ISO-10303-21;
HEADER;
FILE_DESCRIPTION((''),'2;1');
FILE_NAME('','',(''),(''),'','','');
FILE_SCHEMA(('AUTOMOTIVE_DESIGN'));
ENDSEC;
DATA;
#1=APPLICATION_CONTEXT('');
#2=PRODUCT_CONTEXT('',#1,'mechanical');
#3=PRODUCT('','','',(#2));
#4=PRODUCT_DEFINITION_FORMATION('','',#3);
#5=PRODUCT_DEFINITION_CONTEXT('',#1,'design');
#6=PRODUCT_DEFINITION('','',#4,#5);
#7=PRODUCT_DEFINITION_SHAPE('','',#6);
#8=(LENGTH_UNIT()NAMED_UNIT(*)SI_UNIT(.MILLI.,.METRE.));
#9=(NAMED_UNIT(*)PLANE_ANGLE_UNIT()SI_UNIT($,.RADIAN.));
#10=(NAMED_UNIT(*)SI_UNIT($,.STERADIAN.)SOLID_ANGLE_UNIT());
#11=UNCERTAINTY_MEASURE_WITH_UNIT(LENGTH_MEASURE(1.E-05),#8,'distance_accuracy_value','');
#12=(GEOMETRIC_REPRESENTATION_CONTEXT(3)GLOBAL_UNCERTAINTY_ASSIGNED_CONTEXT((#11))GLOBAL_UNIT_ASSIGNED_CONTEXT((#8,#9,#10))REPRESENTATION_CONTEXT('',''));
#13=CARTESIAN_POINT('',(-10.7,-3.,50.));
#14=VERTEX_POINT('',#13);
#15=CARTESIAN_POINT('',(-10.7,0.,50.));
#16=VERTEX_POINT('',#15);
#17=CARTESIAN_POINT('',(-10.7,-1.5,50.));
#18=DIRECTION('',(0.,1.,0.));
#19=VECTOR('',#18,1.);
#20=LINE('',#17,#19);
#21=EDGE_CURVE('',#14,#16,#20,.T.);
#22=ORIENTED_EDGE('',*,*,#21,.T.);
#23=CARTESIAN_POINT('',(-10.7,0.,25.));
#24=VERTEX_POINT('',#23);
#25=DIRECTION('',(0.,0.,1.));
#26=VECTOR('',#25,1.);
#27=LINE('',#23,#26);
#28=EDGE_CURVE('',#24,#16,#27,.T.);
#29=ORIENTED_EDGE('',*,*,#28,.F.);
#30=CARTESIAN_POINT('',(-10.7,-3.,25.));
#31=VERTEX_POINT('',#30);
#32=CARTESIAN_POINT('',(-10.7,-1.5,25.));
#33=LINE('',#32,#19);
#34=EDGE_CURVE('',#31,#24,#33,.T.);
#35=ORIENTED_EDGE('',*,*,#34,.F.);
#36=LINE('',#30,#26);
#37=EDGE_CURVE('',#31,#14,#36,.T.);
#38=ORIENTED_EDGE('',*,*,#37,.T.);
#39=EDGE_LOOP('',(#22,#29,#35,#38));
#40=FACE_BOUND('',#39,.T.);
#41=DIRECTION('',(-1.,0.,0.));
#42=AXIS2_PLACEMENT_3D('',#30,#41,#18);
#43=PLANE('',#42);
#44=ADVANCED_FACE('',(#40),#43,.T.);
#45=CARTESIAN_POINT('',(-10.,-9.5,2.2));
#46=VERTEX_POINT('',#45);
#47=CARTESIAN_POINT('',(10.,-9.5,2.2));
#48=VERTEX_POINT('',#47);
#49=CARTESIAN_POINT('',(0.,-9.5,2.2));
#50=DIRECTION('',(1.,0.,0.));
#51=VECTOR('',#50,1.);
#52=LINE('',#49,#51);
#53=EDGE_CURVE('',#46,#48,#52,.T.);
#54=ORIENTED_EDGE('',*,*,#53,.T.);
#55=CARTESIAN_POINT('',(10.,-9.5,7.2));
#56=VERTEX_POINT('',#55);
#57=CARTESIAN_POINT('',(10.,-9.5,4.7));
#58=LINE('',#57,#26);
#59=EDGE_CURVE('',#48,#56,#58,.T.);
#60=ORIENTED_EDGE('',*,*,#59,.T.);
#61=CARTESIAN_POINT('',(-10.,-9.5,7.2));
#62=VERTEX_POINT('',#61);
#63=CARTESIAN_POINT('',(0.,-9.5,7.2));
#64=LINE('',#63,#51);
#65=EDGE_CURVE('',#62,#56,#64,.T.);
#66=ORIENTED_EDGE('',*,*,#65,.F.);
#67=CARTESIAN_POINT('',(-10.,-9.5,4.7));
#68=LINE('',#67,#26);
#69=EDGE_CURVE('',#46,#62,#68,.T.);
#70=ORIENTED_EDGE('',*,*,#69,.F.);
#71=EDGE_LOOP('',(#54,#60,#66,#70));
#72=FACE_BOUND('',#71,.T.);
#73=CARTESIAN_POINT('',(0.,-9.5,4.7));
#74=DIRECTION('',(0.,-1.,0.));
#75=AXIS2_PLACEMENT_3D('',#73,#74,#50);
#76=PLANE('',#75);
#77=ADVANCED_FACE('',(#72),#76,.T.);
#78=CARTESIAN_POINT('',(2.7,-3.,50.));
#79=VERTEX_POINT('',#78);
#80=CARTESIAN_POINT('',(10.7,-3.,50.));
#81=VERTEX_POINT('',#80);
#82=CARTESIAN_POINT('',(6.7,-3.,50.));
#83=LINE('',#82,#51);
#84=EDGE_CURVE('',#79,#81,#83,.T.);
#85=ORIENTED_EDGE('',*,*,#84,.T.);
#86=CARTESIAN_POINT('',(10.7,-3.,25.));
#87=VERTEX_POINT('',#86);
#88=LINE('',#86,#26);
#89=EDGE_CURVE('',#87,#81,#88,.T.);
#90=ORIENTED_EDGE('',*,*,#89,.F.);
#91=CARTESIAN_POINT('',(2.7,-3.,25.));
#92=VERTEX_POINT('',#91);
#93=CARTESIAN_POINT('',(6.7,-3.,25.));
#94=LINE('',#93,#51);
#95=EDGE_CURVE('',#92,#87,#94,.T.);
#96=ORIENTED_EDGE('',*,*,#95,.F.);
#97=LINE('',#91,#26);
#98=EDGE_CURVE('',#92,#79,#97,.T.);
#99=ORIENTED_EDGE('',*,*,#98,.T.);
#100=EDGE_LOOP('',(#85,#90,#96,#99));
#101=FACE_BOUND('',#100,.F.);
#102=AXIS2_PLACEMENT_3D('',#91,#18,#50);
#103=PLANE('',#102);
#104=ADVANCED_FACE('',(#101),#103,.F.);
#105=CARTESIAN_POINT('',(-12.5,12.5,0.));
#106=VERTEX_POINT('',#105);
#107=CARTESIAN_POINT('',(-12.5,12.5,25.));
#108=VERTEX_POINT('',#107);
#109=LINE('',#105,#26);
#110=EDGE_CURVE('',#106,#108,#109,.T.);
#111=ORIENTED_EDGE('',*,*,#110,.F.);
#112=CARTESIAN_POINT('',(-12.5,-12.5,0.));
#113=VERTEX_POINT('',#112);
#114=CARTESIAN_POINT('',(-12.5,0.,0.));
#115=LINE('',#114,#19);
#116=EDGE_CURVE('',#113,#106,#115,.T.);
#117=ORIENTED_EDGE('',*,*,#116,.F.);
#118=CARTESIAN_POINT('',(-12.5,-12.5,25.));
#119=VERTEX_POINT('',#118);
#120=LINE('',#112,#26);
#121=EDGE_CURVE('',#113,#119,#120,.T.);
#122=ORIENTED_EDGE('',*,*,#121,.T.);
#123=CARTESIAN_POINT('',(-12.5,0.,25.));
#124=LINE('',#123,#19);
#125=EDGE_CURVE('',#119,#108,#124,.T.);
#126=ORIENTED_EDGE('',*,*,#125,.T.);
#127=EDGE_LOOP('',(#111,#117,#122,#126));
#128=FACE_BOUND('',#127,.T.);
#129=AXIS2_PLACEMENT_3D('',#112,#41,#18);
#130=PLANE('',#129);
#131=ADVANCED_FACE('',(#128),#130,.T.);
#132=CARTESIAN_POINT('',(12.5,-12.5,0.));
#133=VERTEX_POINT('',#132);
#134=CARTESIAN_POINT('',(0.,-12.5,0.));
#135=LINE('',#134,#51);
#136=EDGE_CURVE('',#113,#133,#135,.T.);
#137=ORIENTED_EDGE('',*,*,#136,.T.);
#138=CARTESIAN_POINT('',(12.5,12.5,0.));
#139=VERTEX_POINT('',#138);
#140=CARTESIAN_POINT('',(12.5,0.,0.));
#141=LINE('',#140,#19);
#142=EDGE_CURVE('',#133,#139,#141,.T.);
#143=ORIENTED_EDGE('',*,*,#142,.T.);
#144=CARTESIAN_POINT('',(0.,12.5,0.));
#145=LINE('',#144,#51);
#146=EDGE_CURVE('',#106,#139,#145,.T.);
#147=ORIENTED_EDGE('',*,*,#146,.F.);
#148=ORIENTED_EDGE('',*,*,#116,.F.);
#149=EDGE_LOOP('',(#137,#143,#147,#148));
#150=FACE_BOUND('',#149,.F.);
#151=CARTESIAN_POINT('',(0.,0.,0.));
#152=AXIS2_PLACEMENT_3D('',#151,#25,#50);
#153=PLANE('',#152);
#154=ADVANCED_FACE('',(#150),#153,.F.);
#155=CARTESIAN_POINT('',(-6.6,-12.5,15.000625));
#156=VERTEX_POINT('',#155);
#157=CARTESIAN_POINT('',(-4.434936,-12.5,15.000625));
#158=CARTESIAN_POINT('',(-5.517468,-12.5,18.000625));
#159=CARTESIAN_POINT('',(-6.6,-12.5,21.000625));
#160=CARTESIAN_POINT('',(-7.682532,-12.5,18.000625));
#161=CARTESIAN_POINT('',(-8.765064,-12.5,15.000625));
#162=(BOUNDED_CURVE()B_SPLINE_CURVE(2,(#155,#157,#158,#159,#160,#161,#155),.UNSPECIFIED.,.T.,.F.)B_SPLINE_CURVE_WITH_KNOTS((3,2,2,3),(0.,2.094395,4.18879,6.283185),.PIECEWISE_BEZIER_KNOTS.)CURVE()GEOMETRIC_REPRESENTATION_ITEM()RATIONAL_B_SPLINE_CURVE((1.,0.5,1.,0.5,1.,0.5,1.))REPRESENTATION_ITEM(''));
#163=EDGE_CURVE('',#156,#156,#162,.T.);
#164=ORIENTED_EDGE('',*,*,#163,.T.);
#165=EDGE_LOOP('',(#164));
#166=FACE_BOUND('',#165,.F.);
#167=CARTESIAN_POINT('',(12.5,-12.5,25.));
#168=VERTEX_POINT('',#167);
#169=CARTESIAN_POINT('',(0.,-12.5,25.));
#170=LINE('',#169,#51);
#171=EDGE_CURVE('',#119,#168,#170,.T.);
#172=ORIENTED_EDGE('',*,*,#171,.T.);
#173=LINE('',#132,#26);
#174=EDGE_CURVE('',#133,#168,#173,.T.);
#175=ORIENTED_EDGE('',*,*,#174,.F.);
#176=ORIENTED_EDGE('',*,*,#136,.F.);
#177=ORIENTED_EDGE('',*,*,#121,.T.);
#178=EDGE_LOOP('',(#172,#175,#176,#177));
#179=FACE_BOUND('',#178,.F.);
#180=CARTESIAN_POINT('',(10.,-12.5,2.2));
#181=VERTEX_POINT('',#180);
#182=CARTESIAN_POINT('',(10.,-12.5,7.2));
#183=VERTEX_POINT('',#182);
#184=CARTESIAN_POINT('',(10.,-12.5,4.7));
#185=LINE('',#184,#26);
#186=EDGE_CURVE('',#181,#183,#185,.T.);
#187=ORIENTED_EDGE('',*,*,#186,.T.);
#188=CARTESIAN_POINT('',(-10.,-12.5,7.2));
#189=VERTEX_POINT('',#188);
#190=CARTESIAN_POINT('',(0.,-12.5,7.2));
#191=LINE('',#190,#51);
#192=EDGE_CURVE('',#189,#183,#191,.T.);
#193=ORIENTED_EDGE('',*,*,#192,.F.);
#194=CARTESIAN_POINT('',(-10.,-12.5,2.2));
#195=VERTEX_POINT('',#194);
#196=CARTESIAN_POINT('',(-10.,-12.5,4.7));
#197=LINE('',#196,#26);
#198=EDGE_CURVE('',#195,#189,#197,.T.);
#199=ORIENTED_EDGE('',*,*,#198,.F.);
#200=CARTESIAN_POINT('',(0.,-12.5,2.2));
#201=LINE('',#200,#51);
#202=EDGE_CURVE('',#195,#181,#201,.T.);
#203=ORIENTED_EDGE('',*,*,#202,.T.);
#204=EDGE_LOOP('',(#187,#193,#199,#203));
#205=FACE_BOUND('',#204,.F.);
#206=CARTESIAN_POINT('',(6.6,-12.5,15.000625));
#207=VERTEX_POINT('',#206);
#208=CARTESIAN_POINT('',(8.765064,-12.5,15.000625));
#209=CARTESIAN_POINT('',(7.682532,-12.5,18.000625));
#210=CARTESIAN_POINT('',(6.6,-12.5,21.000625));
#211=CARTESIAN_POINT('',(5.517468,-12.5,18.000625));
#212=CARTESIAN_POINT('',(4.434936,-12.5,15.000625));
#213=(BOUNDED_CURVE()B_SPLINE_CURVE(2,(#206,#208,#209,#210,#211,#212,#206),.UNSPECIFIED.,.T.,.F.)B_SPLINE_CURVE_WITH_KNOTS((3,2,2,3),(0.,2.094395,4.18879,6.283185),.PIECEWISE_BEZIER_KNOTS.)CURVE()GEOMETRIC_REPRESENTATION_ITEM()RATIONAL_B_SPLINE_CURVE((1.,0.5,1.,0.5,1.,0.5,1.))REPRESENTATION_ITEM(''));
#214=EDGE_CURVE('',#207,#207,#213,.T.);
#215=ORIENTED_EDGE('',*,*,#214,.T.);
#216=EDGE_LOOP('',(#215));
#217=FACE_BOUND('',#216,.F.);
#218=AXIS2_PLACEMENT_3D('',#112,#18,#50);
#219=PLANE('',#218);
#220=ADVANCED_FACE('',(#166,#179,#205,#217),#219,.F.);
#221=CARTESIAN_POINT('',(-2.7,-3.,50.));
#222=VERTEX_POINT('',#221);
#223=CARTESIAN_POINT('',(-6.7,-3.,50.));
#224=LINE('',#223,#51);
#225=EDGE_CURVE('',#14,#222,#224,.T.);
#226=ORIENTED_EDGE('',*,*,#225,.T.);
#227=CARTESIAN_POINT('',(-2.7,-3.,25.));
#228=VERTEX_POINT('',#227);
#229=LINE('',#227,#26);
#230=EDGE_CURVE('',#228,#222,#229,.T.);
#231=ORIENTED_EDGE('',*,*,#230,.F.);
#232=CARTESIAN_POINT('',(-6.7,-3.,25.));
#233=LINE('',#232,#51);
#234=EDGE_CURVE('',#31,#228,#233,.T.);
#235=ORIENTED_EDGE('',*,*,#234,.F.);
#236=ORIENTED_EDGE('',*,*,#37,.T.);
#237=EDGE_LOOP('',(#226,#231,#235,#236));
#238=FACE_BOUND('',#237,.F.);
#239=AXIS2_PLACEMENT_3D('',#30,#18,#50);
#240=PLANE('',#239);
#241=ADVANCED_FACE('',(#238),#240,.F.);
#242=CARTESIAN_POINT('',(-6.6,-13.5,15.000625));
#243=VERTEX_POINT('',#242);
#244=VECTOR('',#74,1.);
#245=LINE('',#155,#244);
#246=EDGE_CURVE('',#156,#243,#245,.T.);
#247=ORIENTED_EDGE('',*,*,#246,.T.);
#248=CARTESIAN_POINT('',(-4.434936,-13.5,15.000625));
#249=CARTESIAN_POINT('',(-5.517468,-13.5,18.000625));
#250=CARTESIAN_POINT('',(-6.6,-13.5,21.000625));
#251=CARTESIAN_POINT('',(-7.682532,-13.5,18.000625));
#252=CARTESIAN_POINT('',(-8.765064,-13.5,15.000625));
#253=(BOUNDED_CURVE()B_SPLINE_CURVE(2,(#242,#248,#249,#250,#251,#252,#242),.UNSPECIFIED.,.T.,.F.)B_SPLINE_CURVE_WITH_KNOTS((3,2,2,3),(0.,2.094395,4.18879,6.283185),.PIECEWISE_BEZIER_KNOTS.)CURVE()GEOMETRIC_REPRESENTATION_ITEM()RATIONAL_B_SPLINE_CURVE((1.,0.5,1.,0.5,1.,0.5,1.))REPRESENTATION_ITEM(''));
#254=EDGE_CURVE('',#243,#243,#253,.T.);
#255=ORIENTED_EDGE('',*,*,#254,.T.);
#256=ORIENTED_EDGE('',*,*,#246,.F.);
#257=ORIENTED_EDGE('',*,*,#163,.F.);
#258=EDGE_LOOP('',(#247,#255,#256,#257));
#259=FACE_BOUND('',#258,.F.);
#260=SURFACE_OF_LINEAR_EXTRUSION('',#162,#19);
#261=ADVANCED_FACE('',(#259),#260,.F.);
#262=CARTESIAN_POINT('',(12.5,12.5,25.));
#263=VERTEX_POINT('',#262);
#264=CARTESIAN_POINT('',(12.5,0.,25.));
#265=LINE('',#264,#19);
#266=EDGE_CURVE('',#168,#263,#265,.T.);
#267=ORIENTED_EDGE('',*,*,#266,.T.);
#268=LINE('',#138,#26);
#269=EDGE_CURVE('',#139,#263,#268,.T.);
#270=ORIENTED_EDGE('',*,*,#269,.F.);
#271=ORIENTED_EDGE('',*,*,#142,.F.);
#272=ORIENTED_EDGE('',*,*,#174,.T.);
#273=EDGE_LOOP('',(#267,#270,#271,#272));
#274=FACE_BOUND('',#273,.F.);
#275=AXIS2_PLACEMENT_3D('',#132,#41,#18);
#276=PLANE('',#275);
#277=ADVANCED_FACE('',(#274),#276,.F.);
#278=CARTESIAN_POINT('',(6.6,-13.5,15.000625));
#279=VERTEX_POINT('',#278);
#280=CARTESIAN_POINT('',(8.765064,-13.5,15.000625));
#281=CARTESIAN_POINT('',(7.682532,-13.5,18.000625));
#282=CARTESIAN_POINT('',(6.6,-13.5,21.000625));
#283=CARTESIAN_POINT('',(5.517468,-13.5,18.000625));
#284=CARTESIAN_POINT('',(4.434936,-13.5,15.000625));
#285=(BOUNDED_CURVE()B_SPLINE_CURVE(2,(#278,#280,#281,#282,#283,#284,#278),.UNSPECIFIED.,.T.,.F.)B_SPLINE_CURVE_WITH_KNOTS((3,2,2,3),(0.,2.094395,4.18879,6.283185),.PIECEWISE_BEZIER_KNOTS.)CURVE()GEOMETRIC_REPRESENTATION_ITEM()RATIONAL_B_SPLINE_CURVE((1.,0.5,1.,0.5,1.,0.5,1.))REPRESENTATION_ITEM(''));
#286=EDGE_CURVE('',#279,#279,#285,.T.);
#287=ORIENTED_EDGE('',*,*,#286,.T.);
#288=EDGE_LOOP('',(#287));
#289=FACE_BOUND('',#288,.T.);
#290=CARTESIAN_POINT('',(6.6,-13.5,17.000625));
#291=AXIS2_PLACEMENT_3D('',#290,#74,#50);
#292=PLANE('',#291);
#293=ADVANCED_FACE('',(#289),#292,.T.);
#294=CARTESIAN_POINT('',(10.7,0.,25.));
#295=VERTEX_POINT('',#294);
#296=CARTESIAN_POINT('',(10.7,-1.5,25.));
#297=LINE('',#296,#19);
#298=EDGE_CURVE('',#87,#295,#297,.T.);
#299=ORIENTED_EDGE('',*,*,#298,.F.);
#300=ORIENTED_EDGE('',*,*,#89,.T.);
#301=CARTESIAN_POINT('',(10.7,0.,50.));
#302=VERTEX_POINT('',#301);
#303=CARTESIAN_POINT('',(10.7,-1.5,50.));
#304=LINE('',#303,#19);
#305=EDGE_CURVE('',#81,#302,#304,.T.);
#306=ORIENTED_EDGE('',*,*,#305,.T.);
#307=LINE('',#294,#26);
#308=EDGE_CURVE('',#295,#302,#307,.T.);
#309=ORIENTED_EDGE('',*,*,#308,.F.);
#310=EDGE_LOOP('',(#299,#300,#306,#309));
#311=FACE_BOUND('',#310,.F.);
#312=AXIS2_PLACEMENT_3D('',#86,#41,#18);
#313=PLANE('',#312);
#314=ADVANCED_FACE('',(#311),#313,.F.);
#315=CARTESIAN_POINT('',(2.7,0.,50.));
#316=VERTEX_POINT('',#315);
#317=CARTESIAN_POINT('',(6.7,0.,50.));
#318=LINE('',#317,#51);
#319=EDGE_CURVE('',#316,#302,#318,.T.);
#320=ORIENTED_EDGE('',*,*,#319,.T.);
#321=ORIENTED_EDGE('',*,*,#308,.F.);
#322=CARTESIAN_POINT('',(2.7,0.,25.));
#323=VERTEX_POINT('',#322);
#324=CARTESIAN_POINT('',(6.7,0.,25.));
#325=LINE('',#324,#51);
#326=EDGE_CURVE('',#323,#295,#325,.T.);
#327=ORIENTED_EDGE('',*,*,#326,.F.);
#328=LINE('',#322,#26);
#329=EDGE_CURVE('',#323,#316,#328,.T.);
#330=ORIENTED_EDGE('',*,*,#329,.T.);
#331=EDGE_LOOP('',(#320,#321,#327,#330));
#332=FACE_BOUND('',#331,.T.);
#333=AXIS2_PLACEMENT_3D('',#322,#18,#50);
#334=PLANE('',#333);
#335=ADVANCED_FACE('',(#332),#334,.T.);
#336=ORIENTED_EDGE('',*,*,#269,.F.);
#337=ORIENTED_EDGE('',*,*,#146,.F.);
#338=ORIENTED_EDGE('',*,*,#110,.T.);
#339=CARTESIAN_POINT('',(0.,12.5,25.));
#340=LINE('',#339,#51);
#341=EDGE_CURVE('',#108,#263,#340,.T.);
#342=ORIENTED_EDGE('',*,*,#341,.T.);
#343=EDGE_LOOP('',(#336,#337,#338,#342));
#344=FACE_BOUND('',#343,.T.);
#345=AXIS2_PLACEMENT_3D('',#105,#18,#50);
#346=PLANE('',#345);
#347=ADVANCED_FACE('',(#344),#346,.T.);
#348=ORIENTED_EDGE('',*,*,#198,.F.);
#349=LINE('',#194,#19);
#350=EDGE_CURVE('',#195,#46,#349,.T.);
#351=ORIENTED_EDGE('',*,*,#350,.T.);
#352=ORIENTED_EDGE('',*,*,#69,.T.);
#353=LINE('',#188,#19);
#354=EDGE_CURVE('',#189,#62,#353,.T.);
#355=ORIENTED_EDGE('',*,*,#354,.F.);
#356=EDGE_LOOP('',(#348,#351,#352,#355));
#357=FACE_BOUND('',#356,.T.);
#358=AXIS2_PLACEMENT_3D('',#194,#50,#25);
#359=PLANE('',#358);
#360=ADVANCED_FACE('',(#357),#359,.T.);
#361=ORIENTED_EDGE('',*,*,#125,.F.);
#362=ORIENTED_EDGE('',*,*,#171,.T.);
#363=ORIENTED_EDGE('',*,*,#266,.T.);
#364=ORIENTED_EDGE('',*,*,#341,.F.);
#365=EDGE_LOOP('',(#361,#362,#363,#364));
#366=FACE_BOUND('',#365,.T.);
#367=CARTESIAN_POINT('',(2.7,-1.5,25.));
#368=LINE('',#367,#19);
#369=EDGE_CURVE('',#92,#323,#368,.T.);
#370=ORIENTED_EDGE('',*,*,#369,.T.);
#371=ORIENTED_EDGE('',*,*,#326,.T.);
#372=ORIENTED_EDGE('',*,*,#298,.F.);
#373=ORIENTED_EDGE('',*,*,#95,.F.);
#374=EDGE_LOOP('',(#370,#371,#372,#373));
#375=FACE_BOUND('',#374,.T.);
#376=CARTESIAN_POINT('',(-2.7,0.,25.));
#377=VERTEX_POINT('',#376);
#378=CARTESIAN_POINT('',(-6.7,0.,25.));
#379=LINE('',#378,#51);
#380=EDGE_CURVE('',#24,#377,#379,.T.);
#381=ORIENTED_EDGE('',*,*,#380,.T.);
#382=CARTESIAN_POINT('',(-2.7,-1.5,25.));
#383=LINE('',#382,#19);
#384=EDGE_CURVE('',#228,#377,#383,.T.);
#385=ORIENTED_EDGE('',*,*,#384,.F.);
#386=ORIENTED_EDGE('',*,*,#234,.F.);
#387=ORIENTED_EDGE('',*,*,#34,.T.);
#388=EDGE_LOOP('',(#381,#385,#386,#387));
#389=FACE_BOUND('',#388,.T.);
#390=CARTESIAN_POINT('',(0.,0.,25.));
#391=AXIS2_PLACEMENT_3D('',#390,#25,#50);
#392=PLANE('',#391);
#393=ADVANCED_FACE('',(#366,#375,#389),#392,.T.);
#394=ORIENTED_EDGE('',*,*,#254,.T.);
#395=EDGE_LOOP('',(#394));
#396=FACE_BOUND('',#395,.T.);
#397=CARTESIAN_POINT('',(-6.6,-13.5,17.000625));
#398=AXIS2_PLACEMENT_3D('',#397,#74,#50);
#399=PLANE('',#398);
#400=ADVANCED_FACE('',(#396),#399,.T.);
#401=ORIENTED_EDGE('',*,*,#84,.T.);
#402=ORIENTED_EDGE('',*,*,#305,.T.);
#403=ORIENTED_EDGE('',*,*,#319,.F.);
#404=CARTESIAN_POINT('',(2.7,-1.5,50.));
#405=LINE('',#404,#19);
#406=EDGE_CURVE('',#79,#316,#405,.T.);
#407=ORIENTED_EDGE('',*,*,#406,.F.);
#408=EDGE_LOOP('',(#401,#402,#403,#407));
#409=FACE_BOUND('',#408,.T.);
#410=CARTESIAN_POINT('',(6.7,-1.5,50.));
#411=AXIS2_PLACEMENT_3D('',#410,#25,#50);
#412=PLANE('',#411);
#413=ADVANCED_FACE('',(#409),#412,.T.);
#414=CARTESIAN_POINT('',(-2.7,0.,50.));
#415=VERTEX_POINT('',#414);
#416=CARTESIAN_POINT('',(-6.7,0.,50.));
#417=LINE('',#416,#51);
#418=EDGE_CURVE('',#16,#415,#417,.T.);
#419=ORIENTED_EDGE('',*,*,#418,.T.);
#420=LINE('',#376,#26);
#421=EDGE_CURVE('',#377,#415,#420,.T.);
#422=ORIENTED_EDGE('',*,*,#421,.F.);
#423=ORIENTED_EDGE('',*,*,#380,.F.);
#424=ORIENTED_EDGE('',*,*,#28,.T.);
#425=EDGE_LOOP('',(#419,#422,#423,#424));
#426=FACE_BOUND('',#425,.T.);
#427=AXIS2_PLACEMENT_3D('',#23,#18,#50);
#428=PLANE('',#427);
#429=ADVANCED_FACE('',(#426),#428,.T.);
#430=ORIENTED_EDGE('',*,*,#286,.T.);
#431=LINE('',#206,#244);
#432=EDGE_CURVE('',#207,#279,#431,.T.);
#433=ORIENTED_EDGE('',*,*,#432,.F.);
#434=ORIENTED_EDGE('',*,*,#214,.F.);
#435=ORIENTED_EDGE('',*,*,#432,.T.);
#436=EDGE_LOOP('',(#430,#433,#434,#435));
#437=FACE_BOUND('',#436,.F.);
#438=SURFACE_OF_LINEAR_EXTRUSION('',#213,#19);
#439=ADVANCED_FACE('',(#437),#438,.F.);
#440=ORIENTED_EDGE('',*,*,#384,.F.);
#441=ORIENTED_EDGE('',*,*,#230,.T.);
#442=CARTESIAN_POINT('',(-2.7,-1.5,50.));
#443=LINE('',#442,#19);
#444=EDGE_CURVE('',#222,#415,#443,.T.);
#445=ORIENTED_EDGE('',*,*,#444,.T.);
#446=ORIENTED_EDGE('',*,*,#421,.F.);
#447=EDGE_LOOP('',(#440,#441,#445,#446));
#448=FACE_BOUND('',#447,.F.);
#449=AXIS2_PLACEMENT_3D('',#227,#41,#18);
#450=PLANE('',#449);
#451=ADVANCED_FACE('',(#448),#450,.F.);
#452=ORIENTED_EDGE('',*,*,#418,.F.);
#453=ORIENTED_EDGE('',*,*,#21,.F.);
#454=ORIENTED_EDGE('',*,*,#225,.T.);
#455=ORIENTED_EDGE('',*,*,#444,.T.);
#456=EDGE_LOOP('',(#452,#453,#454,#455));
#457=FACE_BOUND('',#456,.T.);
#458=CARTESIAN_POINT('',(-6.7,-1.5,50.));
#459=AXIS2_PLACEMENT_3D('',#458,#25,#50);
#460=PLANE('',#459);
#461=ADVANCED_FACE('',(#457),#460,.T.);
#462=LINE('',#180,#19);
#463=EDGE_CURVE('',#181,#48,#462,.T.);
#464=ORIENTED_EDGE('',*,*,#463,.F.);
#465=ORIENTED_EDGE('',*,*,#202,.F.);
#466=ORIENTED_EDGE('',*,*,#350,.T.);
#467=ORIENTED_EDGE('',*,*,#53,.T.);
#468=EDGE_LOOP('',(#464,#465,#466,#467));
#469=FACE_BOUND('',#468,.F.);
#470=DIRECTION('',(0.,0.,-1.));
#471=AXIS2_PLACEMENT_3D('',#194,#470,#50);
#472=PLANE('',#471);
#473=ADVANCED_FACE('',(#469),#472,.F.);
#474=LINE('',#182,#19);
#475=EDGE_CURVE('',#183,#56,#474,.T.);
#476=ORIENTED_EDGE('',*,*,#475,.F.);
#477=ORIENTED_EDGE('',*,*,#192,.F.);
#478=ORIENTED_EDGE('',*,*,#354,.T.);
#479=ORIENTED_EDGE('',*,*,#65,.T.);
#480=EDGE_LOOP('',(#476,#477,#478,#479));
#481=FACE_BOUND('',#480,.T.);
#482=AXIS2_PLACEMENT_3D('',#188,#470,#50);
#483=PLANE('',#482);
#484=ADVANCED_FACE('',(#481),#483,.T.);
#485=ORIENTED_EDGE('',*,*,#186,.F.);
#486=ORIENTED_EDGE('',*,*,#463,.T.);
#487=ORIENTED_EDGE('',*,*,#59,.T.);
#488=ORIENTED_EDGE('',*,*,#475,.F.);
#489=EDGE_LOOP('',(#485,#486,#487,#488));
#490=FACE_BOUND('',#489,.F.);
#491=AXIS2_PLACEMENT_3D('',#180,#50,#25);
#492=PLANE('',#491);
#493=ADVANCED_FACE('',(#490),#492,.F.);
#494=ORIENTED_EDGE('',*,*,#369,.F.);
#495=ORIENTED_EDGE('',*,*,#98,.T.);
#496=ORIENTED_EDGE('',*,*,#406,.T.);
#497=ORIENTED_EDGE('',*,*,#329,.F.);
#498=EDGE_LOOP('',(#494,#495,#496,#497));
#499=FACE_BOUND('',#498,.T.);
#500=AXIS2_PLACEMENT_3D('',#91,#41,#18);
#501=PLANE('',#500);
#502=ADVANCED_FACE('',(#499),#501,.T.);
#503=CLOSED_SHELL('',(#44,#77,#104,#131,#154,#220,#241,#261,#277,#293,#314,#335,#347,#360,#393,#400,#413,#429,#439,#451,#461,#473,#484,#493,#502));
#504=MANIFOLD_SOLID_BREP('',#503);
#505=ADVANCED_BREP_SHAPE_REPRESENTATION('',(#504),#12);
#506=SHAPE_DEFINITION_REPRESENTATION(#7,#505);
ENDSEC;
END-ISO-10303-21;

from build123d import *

# Parameters (mm, degrees)
F0_W     = 25
F0_H     = 25
F1_DEPTH = 25
F2_W     = 8
F2_H     = 3
F3_DEPTH = 25
F4_W     = 20
F4_H     = 5
F5_DEPTH = 3
F7_DEPTH = 1


with BuildPart() as f1:
    # F0 (on Top) → F1 (new body)
    with BuildSketch(Plane.XY):
        Rectangle(F0_W, F0_H)
    extrude(amount=F1_DEPTH)

    # F2 (on face) → F3 (join)
    with BuildSketch(Plane.XY.offset(25)):
        with Locations((6.7, -1.5)):
            Rectangle(F2_W, F2_H)
        with Locations((-6.7, -1.5)):
            Rectangle(F2_W, F2_H)
    extrude(amount=F3_DEPTH)

    # F4 (on face) → F5 (cut)
    with BuildSketch(Plane.XZ.offset(12.5)):
        with Locations((0, 4.7)):
            Rectangle(F4_W, F4_H)
    extrude(amount=-F5_DEPTH, mode=Mode.SUBTRACT)

    # F6 (on face) → F7 (join)
    with BuildSketch(Plane.XZ.offset(12.5)):
        with BuildLine():
            add(Edge.make_bspline(
                [(-6.6, 15.000625), (-4.434936, 15.000625), (-5.517468, 18.000625), (-6.6, 21.000625), (-7.682532, 18.000625), (-8.765064, 15.000625), (-6.6, 15.000625)],
                knots=[0, 0, 0, 2.094395, 2.094395, 4.18879, 4.18879, 6.283185, 6.283185, 6.283185], degree=2, weights=[1, 0.5, 1, 0.5, 1, 0.5, 1]))
        make_face()
        with BuildLine():
            add(Edge.make_bspline(
                [(6.6, 15.000625), (8.765064, 15.000625), (7.682532, 18.000625), (6.6, 21.000625), (5.517468, 18.000625), (4.434936, 15.000625), (6.6, 15.000625)],
                knots=[0, 0, 0, 2.094395, 2.094395, 4.18879, 4.18879, 6.283185, 6.283185, 6.283185], degree=2, weights=[1, 0.5, 1, 0.5, 1, 0.5, 1]))
        make_face()
    extrude(amount=F7_DEPTH)


solid = f1.part
